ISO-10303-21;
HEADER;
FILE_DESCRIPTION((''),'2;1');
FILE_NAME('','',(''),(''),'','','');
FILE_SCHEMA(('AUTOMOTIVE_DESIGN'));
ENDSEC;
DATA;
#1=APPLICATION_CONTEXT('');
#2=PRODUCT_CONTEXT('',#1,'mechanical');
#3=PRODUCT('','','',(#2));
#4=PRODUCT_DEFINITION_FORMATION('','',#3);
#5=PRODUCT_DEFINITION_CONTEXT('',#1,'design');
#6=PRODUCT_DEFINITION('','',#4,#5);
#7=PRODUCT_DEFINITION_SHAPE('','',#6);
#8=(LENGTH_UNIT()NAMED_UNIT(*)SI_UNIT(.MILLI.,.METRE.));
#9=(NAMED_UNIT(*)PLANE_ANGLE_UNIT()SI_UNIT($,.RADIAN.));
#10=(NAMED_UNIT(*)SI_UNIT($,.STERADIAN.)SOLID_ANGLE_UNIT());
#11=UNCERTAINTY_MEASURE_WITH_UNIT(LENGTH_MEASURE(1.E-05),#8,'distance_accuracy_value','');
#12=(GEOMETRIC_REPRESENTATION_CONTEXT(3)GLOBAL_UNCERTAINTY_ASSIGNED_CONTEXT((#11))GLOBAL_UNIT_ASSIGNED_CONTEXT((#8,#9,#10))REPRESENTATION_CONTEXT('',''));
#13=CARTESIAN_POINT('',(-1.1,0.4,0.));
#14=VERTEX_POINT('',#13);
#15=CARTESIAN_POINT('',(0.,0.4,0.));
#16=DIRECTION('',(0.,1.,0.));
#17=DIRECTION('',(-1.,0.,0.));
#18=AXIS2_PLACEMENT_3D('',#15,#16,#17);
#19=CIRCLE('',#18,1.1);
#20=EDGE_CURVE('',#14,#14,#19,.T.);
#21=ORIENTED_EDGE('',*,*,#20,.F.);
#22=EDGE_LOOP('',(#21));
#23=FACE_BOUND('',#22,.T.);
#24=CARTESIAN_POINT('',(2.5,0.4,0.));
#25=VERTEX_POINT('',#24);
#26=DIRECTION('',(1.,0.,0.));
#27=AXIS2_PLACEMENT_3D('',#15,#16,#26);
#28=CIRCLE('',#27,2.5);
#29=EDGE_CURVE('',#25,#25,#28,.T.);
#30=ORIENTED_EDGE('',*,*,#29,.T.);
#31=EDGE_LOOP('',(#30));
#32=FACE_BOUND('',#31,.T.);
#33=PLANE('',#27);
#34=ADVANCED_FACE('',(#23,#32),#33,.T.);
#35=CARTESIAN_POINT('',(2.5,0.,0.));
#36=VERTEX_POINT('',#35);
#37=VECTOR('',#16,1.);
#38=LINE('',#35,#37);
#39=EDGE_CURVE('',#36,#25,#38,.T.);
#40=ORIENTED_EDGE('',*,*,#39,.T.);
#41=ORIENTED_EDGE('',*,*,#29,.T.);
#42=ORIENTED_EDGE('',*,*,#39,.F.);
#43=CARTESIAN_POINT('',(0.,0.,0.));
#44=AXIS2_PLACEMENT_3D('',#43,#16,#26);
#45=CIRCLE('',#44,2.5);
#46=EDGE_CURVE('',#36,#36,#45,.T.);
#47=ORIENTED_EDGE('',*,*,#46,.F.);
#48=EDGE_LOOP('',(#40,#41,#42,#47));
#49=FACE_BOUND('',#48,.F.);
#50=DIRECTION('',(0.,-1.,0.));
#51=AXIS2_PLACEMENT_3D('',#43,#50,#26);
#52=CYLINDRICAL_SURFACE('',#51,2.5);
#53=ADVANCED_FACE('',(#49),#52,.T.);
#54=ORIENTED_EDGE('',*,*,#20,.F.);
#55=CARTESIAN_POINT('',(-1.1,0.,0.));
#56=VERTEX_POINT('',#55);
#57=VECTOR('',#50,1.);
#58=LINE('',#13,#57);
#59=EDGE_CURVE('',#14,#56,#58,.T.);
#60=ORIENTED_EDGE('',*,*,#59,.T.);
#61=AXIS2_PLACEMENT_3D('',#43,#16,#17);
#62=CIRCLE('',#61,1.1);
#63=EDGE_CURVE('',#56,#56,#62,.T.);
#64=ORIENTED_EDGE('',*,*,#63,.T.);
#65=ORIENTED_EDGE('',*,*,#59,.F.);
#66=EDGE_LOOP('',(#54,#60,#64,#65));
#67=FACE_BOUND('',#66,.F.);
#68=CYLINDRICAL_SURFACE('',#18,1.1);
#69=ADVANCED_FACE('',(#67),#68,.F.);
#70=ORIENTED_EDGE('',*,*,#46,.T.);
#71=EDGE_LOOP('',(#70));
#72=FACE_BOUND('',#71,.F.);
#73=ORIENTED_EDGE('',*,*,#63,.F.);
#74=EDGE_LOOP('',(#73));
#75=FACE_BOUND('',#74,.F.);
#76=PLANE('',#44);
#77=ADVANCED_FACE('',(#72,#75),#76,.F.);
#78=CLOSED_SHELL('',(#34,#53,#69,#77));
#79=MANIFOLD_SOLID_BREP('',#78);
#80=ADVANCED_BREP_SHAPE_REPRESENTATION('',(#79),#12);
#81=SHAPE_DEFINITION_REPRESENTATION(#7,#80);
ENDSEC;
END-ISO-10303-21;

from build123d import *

# Parameters (mm, degrees)
SKETCH1_R           = 2.5
BOSS_EXTRUDE1_DEPTH = 0.4
SKETCH5_R           = 1.1
CUT_EXTRUDE1_DEPTH  = 1.4


with BuildPart() as part:
    # Sketch1 → Boss-Extrude1 (new body)
    with BuildSketch(Plane(origin=(0, 0, 0), x_dir=(1, 0, 0), z_dir=(0, 1, 0))):
        Circle(SKETCH1_R)
    extrude(amount=BOSS_EXTRUDE1_DEPTH)

    # Sketch5 → Cut-Extrude1 (cut, through all)
    with BuildSketch(Plane(origin=(0, 0.4, 0), x_dir=(-1, 0, 0), z_dir=(0, 1, 0))):
        Circle(SKETCH5_R)
    extrude(amount=-CUT_EXTRUDE1_DEPTH, mode=Mode.SUBTRACT)


solid = part.part
